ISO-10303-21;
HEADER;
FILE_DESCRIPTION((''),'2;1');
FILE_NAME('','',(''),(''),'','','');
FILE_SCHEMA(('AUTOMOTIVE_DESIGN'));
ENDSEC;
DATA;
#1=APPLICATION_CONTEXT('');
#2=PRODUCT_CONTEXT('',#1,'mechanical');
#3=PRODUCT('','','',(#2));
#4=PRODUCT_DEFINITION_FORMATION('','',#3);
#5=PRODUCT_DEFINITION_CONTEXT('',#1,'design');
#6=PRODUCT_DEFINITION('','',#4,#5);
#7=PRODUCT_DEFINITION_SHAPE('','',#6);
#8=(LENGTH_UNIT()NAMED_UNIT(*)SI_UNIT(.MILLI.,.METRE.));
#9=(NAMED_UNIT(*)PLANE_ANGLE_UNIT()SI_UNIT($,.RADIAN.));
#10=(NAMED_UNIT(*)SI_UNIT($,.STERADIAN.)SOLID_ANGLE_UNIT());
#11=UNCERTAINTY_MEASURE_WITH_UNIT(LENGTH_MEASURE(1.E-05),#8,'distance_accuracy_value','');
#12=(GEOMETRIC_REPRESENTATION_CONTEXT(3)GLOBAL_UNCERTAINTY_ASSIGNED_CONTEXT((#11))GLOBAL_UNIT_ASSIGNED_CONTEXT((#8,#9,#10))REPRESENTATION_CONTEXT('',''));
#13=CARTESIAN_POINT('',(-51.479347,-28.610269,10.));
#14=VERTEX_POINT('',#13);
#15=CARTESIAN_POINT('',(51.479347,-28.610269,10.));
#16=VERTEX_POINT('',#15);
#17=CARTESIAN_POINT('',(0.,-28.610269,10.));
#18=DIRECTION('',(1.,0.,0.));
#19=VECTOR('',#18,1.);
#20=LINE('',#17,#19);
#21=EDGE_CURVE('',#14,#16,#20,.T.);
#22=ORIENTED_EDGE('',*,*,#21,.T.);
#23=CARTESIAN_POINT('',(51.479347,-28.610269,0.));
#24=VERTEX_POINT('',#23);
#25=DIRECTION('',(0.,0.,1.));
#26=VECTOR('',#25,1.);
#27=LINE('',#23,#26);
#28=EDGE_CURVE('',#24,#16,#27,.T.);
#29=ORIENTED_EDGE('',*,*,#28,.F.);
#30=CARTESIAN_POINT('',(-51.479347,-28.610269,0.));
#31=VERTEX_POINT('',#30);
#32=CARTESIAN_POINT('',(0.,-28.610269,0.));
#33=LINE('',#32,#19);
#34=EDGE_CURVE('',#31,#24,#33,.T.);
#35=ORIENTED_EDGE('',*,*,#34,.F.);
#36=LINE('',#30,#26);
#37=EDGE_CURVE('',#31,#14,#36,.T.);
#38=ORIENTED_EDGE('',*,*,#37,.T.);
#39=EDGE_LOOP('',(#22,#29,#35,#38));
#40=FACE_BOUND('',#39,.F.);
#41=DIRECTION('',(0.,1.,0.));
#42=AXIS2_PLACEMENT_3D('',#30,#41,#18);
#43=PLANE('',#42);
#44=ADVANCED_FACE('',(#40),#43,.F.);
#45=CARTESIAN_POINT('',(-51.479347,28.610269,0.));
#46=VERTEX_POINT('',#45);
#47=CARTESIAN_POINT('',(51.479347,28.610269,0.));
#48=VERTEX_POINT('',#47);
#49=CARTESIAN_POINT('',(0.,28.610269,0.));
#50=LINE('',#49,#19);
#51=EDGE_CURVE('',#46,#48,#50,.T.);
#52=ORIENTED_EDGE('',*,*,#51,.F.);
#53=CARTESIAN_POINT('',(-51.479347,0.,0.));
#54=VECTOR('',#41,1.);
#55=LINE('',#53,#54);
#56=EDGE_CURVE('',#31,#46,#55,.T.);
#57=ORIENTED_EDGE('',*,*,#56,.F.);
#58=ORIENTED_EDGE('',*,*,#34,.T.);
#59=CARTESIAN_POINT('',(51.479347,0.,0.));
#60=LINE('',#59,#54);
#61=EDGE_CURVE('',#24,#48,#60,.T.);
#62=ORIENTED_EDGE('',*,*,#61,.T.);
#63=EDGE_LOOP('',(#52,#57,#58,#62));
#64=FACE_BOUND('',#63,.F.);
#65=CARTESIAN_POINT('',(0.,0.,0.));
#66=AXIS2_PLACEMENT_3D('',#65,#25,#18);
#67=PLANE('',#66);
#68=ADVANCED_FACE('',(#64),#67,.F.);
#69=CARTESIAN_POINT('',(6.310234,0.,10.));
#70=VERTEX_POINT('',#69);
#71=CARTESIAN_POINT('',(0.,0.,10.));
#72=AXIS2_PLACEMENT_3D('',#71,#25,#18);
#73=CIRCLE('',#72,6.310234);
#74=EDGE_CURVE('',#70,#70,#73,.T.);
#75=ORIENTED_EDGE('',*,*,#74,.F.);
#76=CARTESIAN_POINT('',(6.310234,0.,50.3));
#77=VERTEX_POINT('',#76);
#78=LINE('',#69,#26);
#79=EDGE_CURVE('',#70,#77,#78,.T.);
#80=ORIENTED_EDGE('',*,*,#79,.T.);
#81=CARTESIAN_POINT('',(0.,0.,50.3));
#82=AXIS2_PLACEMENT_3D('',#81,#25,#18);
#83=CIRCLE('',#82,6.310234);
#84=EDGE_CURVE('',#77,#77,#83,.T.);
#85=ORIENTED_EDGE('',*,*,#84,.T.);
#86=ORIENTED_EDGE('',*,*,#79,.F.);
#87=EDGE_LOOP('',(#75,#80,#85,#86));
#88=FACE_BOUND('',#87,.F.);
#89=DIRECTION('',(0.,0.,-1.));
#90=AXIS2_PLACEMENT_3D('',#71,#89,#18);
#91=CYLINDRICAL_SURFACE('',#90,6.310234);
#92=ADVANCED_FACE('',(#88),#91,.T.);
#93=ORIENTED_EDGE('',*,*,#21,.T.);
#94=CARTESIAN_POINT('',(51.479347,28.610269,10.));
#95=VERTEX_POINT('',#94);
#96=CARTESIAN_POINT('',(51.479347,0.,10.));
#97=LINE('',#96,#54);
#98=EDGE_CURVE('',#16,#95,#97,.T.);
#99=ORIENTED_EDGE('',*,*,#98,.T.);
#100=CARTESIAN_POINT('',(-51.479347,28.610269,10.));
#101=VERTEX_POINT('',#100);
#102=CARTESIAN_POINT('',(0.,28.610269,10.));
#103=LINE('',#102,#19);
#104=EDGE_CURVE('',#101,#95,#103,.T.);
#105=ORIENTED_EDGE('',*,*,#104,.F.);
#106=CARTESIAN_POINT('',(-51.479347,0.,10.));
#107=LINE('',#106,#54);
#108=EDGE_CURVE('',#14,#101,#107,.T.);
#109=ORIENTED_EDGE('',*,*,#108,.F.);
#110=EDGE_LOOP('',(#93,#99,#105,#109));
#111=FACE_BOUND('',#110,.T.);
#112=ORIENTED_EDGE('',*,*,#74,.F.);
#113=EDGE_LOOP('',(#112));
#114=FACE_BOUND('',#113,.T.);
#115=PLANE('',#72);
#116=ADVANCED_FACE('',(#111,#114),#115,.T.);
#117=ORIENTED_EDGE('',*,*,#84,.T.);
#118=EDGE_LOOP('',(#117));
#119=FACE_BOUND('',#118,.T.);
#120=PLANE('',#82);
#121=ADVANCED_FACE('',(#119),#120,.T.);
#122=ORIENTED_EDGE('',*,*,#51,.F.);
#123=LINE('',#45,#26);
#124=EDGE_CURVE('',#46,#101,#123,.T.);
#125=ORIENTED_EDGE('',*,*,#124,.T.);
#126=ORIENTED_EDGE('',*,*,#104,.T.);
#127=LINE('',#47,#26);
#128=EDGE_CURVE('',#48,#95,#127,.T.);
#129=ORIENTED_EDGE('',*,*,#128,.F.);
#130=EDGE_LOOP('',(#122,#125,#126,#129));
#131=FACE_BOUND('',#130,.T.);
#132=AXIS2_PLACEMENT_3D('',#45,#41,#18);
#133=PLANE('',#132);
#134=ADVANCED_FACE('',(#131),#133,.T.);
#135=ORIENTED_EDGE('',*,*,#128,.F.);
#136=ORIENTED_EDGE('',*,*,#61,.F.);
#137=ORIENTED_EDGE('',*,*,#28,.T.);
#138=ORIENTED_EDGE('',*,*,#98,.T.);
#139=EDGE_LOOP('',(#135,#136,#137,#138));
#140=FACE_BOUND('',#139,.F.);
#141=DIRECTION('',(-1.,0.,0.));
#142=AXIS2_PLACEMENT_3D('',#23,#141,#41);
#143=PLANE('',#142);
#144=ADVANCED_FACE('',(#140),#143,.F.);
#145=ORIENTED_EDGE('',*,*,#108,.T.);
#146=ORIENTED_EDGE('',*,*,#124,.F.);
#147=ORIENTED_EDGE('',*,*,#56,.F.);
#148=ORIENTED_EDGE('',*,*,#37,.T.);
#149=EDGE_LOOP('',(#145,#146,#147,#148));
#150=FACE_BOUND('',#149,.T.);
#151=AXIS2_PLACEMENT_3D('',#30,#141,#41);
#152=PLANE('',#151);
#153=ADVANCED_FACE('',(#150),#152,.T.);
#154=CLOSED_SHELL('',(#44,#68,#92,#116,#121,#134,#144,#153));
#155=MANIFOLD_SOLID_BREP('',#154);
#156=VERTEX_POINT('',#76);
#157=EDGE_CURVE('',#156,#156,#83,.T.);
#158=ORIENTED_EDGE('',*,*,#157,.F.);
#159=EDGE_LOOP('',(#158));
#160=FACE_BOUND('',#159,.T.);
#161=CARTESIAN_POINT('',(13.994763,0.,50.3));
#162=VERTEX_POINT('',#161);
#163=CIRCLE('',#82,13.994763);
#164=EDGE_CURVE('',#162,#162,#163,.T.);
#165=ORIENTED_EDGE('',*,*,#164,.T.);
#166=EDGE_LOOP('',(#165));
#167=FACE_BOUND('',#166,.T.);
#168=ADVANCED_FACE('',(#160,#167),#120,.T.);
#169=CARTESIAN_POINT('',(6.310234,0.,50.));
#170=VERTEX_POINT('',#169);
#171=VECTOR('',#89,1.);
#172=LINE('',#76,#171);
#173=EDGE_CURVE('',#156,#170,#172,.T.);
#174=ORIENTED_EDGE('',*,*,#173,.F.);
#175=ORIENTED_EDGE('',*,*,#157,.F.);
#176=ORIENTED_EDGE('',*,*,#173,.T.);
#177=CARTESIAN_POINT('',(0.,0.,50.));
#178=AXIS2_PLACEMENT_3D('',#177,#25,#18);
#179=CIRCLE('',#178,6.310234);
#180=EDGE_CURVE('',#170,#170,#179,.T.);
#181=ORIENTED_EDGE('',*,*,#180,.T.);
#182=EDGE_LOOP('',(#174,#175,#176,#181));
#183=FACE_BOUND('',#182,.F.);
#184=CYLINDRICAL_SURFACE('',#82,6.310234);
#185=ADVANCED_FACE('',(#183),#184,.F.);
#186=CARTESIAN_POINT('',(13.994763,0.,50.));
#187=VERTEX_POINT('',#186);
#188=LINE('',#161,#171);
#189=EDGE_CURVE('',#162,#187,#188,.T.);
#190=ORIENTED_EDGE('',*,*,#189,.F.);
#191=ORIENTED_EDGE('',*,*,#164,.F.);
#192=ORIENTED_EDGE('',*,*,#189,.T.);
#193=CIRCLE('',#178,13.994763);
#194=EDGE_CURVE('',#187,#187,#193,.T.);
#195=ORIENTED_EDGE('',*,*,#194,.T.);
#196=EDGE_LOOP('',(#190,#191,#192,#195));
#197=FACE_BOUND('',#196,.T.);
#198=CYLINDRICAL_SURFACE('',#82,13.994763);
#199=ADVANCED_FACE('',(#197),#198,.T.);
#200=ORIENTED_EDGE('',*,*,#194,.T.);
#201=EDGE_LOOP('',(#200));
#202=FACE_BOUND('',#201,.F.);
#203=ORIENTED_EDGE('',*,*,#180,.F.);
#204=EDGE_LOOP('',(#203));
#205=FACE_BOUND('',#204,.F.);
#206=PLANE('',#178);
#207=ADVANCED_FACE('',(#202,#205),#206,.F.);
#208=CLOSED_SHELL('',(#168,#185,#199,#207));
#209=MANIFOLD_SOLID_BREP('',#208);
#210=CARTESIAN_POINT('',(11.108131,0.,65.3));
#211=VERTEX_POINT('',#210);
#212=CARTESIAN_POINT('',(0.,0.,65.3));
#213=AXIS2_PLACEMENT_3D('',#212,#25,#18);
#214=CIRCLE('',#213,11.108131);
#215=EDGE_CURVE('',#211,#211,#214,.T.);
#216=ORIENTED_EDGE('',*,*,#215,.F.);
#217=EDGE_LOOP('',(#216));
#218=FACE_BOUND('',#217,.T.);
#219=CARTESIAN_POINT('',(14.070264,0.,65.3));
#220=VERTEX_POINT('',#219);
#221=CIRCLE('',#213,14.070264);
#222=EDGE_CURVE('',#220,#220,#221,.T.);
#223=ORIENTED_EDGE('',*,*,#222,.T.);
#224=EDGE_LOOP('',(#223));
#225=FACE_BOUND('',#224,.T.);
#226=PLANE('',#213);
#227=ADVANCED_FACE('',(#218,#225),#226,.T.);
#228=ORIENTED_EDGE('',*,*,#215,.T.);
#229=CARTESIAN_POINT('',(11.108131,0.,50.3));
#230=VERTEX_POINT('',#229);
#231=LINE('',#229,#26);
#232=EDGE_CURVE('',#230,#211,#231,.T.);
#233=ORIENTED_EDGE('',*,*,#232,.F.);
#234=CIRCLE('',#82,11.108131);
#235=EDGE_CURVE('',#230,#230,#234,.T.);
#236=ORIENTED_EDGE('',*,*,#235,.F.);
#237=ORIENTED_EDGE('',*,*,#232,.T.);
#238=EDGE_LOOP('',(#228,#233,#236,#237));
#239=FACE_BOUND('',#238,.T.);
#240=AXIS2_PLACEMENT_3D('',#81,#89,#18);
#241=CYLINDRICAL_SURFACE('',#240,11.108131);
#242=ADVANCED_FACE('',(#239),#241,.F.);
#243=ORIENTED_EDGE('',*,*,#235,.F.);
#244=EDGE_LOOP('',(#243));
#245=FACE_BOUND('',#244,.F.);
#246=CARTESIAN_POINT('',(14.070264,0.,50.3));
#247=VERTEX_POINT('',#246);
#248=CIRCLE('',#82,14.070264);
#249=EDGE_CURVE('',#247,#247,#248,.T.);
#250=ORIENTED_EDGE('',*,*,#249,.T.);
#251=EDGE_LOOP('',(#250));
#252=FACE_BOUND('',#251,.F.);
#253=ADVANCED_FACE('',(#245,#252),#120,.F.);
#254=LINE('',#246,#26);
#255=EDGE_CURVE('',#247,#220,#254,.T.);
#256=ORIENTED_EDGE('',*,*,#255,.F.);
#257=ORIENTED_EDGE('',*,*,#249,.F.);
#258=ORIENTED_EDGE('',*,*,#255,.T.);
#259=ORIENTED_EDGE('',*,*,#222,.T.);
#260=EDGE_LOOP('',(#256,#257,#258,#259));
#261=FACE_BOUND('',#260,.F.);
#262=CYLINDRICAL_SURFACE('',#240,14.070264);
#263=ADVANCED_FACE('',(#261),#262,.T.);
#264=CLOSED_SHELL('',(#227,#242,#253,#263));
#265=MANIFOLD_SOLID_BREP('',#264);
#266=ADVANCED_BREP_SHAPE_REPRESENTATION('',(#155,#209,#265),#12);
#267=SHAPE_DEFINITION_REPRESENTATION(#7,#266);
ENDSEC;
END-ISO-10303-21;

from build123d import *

# Parameters (mm, degrees)
F0_W     = 102.958694
F0_H     = 57.220538
F1_DEPTH = 10
F2_R     = 6.310234
F3_DEPTH = 40.3
F4_R     = 14.070264
F4_R_2   = 11.108131
F5_DEPTH = 15
F6_R     = 13.994763
F6_R_2   = 6.310234
F7_DEPTH = 0.3


with BuildPart() as f1:
    # F0 (on Top) → F1 (new body)
    with BuildSketch(Plane.XY):
        Rectangle(F0_W, F0_H)
    extrude(amount=F1_DEPTH)

    # F2 (on face) → F3 (join)
    with BuildSketch(Plane.XY.offset(10)):
        Circle(F2_R)
    extrude(amount=F3_DEPTH)


with BuildPart() as f5:
    # F4 (on face) → F5 (new body)
    with BuildSketch(Plane.XY.offset(50.3)):
        Circle(F4_R)
        Circle(F4_R_2, mode=Mode.SUBTRACT)
    extrude(amount=F5_DEPTH)


with BuildPart() as f7:
    # F6 (on face) → F7 (new body)
    with BuildSketch(Plane.XY.offset(50.3)):
        Circle(F6_R)
        Circle(F6_R_2, mode=Mode.SUBTRACT)
    extrude(amount=-F7_DEPTH)


solid = Compound([f1.part, f5.part, f7.part])
